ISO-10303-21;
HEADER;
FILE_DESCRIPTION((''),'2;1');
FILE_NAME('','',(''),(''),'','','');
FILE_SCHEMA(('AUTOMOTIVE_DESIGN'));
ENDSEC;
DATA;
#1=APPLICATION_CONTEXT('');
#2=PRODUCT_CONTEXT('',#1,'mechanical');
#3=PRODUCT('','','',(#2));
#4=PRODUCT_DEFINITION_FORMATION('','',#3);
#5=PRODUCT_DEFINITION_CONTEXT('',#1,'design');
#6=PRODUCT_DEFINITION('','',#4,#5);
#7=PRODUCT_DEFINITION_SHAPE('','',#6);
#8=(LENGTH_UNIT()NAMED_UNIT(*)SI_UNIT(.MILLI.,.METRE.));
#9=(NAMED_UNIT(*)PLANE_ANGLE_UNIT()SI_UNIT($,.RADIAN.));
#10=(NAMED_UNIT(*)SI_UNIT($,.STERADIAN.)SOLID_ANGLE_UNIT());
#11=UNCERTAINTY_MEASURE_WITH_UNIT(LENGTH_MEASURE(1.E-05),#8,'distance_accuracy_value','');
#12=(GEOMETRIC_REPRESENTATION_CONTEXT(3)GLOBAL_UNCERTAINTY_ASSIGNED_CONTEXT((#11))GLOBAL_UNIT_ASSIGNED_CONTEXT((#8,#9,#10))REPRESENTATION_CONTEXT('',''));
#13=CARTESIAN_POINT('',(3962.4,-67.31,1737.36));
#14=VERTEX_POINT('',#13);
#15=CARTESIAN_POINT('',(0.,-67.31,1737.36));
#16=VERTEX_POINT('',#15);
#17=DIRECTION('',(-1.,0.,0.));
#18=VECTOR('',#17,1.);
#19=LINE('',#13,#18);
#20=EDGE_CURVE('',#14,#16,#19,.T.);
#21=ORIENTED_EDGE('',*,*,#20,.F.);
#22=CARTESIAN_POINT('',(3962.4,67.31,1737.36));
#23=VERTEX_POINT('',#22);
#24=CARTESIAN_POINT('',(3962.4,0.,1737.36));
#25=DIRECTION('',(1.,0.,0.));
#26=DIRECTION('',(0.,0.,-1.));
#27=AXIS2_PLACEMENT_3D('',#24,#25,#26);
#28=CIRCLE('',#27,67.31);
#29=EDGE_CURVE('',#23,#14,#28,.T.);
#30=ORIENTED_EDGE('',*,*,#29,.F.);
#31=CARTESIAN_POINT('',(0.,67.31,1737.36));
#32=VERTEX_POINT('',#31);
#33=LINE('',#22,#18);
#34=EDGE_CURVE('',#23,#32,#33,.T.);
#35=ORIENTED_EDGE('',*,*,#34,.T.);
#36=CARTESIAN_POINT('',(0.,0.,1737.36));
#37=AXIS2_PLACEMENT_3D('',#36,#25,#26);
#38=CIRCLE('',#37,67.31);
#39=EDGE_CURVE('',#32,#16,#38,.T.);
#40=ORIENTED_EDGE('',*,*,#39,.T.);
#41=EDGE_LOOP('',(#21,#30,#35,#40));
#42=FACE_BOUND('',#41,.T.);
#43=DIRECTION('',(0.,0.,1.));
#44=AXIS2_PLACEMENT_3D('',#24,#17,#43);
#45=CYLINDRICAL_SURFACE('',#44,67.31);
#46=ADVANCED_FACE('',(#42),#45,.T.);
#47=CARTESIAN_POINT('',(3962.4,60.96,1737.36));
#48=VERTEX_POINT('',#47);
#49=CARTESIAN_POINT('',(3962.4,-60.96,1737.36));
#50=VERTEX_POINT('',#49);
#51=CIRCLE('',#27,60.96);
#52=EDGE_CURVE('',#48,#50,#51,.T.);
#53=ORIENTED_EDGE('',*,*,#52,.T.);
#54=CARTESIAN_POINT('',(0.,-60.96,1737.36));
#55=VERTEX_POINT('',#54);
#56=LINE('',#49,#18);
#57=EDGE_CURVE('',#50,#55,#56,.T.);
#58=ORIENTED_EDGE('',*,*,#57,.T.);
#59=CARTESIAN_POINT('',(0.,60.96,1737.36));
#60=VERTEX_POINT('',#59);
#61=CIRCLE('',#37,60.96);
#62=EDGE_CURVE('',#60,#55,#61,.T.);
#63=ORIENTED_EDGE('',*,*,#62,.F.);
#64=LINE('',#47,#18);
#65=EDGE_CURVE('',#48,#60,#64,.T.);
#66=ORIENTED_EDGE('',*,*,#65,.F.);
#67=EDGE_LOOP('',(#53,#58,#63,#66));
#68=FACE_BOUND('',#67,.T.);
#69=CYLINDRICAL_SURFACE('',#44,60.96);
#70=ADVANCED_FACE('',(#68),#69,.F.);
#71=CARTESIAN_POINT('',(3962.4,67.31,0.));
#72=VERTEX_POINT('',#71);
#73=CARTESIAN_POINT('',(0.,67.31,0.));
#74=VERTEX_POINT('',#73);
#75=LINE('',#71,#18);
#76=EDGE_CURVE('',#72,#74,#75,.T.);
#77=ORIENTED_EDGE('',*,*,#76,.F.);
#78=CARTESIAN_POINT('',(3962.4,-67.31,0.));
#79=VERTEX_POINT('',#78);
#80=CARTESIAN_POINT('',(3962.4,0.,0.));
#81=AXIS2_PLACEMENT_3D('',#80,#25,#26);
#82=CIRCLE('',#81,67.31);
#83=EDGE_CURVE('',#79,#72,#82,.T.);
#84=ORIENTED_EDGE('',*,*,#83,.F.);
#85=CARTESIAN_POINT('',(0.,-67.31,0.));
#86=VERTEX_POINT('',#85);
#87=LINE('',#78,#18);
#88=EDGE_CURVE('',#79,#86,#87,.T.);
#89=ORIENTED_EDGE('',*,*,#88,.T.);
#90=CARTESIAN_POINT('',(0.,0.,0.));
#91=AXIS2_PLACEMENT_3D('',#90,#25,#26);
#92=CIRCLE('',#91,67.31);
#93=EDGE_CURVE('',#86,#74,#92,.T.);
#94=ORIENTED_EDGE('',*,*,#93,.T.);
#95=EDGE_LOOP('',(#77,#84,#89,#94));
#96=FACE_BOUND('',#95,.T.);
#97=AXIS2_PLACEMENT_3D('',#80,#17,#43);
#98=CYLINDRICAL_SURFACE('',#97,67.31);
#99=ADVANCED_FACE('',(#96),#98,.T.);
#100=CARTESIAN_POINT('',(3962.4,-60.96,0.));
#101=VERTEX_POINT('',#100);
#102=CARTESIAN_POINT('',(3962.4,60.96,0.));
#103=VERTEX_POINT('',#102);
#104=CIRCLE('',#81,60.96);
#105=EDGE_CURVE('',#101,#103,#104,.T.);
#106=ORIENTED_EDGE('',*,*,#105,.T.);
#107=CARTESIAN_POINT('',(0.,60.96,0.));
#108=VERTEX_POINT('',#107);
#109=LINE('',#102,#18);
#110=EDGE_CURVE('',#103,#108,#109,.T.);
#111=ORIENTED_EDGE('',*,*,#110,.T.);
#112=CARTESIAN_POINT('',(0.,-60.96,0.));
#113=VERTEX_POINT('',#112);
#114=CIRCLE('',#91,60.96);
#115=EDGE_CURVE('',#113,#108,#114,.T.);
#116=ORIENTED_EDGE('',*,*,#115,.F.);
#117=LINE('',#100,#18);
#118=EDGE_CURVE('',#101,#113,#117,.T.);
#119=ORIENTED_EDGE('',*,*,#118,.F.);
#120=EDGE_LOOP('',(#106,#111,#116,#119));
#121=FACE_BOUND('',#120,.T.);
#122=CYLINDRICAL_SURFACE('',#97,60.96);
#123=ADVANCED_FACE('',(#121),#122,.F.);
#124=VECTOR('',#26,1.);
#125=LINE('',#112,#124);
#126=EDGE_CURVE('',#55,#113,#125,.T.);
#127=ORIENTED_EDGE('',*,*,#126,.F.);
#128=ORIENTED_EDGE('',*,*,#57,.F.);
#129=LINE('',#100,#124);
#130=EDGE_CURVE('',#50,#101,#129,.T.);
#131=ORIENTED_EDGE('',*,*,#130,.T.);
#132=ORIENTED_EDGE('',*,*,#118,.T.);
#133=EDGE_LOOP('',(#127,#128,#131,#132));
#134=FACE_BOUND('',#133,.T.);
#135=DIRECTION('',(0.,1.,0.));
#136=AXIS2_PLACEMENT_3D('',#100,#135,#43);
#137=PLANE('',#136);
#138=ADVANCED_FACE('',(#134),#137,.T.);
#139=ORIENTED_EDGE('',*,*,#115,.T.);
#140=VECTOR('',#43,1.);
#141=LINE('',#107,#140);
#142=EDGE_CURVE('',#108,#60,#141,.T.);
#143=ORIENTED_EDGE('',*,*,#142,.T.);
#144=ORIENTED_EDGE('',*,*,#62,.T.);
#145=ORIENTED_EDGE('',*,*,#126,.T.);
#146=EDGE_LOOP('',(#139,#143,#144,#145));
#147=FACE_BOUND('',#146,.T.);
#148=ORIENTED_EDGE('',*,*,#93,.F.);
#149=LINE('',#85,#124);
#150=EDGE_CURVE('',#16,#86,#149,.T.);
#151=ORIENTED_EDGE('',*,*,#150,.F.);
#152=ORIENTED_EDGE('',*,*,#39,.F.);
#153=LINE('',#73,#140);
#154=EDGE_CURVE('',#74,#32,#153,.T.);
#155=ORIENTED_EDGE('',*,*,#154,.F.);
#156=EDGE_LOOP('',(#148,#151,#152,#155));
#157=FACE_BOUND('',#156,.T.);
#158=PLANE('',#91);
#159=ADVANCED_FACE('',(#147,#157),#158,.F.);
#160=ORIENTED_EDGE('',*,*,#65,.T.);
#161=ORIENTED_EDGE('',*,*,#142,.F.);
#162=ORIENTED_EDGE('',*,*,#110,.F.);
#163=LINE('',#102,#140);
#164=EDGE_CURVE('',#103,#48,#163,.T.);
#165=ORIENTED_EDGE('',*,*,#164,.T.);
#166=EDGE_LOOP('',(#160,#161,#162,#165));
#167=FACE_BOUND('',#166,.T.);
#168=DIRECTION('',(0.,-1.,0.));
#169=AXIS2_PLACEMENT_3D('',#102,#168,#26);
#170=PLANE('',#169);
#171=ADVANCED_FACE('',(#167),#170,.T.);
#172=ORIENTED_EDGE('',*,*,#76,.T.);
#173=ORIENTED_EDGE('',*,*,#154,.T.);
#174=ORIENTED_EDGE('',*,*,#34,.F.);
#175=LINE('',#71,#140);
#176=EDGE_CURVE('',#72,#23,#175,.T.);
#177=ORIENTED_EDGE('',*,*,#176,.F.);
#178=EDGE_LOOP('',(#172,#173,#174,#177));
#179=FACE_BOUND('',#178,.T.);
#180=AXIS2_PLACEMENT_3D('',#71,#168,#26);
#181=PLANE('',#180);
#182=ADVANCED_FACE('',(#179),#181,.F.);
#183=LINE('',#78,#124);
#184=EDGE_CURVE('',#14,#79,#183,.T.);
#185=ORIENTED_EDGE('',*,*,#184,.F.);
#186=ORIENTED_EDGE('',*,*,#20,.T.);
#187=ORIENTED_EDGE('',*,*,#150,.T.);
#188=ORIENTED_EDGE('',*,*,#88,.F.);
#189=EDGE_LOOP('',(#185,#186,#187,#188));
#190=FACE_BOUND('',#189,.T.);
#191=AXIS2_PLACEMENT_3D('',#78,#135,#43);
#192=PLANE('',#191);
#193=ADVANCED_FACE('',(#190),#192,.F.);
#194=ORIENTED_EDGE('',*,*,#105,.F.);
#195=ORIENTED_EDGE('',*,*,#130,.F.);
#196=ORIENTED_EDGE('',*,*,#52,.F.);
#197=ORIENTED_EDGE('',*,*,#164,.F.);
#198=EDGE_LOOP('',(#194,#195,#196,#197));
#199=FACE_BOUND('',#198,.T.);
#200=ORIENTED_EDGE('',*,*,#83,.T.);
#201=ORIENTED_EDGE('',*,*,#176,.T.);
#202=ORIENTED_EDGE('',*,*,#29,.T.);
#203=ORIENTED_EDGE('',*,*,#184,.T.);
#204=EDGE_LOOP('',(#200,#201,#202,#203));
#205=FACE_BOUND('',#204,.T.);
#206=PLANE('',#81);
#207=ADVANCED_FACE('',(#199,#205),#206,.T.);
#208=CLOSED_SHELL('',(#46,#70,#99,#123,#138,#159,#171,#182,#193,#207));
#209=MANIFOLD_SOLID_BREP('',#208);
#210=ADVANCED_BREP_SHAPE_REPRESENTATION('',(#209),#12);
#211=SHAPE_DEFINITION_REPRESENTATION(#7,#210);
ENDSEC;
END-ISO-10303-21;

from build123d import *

# Parameters (mm, degrees)
BOSS_EXTRUDE1_DEPTH = 3962.4


with BuildPart() as part:
    # Sketch1 → Boss-Extrude1 (new body)
    with BuildSketch(Plane(origin=(0, 0, 0), x_dir=(0, 0, -1), z_dir=(1, 0, 0))):
        with BuildLine():
            Line((0, -67.31), (-1737.36, -67.31))
            ThreePointArc((-1737.36, -67.31), (-1804.67, 0), (-1737.36, 67.31))
            Line((-1737.36, 67.31), (0, 67.31))
            ThreePointArc((0, 67.31), (67.31, 0), (0, -67.31))
        make_face()
        with BuildLine():
            Line((0, -60.96), (-1737.36, -60.96))
            ThreePointArc((-1737.36, -60.96), (-1798.32, 0), (-1737.36, 60.96))
            Line((-1737.36, 60.96), (0, 60.96))
            ThreePointArc((0, 60.96), (60.96, 0), (0, -60.96))
        make_face(mode=Mode.SUBTRACT)
    extrude(amount=BOSS_EXTRUDE1_DEPTH)


solid = part.part
